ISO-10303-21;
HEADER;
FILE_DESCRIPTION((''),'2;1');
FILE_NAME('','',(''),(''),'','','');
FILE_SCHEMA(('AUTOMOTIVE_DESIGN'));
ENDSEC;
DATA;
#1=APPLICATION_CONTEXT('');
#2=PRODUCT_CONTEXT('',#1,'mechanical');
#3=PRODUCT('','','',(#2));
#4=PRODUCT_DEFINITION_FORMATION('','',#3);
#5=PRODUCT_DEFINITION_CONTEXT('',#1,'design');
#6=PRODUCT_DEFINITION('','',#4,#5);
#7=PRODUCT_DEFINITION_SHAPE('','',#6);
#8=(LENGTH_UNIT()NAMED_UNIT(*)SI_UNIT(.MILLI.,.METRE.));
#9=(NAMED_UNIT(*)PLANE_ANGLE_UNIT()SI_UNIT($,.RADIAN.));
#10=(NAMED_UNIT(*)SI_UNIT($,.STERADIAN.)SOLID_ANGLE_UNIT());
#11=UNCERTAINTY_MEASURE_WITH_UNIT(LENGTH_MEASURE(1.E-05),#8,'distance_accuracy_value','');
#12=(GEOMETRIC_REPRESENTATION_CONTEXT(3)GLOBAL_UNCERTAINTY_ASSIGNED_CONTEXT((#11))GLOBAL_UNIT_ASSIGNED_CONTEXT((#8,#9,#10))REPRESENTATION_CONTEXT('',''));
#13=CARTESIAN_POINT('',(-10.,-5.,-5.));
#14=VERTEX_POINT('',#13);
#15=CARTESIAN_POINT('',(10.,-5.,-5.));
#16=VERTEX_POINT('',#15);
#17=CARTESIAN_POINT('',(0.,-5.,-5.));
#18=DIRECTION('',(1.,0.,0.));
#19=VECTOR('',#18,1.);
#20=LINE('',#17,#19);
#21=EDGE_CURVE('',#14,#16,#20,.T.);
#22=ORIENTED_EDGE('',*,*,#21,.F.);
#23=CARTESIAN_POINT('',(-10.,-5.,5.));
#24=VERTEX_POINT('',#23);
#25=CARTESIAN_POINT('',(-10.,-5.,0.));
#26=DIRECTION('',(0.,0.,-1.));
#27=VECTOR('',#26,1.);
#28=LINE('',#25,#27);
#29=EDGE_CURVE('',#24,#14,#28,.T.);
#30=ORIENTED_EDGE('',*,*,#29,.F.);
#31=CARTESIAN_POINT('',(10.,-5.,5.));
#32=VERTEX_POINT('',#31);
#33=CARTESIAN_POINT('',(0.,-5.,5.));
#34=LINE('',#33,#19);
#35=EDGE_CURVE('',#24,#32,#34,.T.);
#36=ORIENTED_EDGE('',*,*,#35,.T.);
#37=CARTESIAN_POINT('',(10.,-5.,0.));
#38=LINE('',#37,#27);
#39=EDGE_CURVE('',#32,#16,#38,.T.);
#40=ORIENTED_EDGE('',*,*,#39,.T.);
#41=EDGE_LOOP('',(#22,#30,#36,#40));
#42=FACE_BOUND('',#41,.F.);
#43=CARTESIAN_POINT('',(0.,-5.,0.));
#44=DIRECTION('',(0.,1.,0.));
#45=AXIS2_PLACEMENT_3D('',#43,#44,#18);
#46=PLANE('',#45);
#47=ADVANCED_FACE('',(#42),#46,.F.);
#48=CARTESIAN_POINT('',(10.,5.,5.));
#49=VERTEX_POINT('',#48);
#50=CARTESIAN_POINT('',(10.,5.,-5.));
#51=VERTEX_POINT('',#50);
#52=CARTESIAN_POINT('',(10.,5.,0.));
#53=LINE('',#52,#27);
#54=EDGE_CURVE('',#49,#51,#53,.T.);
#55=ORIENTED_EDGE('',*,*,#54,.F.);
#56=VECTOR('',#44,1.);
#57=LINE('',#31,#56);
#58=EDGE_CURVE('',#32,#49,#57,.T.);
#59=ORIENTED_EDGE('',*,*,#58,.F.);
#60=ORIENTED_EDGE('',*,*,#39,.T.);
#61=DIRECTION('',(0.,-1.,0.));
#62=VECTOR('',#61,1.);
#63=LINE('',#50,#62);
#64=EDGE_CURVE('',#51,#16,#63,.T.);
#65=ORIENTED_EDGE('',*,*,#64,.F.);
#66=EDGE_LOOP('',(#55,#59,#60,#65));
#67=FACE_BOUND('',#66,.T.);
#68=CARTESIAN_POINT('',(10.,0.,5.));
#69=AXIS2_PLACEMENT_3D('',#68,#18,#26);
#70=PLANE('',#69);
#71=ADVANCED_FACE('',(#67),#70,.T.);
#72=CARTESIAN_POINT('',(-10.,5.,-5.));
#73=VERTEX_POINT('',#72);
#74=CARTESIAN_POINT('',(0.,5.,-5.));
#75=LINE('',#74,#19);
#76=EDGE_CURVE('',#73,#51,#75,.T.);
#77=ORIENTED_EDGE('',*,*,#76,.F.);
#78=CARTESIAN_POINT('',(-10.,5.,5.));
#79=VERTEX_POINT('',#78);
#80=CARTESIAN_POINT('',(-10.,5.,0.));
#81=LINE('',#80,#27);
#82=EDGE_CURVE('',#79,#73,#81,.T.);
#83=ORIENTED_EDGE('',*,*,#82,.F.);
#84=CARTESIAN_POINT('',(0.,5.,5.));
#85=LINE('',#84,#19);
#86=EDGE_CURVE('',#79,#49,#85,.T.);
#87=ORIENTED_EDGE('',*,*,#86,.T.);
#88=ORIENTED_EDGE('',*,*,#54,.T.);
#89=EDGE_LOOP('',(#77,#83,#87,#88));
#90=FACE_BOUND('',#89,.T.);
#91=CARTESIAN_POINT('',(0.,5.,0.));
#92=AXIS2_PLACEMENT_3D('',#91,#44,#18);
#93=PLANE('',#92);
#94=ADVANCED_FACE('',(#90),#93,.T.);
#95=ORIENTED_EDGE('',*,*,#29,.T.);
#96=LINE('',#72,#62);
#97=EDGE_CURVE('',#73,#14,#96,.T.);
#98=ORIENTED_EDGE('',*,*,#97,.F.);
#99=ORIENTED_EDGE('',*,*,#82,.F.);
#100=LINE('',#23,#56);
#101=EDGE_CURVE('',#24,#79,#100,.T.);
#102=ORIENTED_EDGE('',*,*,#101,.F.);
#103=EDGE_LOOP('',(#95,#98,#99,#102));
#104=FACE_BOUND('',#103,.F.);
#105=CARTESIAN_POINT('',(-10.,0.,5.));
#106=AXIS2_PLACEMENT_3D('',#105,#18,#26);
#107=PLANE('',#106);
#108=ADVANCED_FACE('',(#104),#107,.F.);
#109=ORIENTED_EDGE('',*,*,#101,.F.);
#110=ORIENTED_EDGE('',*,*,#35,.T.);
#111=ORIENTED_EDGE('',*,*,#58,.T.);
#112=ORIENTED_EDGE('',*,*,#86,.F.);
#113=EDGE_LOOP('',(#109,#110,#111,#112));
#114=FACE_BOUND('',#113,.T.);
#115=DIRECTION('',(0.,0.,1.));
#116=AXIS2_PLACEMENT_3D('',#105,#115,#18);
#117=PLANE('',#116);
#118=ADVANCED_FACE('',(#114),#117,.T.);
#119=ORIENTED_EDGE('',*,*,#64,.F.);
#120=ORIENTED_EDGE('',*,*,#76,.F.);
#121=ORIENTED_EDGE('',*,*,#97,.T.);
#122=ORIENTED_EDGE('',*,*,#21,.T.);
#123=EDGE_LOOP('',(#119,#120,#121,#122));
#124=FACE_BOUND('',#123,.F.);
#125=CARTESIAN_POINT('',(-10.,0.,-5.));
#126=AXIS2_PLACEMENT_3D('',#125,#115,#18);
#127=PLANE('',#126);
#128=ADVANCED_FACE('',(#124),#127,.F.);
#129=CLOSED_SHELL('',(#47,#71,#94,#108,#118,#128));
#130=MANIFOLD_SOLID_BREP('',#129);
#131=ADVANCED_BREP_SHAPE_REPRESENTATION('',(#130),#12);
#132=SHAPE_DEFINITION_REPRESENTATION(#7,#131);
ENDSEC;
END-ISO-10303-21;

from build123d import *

# Parameters (mm, degrees)
SKETCH1_W           = 20
SKETCH1_H           = 10
BOSS_EXTRUDE1_DEPTH = 5


with BuildPart() as part:
    # Sketch1 → Boss-Extrude1 (new body, symmetric)
    with BuildSketch(Plane(origin=(0, 0, 0), x_dir=(1, 0, 0), z_dir=(0, 1, 0))):
        Rectangle(SKETCH1_W, SKETCH1_H)
    extrude(amount=BOSS_EXTRUDE1_DEPTH, both=True)


solid = part.part
